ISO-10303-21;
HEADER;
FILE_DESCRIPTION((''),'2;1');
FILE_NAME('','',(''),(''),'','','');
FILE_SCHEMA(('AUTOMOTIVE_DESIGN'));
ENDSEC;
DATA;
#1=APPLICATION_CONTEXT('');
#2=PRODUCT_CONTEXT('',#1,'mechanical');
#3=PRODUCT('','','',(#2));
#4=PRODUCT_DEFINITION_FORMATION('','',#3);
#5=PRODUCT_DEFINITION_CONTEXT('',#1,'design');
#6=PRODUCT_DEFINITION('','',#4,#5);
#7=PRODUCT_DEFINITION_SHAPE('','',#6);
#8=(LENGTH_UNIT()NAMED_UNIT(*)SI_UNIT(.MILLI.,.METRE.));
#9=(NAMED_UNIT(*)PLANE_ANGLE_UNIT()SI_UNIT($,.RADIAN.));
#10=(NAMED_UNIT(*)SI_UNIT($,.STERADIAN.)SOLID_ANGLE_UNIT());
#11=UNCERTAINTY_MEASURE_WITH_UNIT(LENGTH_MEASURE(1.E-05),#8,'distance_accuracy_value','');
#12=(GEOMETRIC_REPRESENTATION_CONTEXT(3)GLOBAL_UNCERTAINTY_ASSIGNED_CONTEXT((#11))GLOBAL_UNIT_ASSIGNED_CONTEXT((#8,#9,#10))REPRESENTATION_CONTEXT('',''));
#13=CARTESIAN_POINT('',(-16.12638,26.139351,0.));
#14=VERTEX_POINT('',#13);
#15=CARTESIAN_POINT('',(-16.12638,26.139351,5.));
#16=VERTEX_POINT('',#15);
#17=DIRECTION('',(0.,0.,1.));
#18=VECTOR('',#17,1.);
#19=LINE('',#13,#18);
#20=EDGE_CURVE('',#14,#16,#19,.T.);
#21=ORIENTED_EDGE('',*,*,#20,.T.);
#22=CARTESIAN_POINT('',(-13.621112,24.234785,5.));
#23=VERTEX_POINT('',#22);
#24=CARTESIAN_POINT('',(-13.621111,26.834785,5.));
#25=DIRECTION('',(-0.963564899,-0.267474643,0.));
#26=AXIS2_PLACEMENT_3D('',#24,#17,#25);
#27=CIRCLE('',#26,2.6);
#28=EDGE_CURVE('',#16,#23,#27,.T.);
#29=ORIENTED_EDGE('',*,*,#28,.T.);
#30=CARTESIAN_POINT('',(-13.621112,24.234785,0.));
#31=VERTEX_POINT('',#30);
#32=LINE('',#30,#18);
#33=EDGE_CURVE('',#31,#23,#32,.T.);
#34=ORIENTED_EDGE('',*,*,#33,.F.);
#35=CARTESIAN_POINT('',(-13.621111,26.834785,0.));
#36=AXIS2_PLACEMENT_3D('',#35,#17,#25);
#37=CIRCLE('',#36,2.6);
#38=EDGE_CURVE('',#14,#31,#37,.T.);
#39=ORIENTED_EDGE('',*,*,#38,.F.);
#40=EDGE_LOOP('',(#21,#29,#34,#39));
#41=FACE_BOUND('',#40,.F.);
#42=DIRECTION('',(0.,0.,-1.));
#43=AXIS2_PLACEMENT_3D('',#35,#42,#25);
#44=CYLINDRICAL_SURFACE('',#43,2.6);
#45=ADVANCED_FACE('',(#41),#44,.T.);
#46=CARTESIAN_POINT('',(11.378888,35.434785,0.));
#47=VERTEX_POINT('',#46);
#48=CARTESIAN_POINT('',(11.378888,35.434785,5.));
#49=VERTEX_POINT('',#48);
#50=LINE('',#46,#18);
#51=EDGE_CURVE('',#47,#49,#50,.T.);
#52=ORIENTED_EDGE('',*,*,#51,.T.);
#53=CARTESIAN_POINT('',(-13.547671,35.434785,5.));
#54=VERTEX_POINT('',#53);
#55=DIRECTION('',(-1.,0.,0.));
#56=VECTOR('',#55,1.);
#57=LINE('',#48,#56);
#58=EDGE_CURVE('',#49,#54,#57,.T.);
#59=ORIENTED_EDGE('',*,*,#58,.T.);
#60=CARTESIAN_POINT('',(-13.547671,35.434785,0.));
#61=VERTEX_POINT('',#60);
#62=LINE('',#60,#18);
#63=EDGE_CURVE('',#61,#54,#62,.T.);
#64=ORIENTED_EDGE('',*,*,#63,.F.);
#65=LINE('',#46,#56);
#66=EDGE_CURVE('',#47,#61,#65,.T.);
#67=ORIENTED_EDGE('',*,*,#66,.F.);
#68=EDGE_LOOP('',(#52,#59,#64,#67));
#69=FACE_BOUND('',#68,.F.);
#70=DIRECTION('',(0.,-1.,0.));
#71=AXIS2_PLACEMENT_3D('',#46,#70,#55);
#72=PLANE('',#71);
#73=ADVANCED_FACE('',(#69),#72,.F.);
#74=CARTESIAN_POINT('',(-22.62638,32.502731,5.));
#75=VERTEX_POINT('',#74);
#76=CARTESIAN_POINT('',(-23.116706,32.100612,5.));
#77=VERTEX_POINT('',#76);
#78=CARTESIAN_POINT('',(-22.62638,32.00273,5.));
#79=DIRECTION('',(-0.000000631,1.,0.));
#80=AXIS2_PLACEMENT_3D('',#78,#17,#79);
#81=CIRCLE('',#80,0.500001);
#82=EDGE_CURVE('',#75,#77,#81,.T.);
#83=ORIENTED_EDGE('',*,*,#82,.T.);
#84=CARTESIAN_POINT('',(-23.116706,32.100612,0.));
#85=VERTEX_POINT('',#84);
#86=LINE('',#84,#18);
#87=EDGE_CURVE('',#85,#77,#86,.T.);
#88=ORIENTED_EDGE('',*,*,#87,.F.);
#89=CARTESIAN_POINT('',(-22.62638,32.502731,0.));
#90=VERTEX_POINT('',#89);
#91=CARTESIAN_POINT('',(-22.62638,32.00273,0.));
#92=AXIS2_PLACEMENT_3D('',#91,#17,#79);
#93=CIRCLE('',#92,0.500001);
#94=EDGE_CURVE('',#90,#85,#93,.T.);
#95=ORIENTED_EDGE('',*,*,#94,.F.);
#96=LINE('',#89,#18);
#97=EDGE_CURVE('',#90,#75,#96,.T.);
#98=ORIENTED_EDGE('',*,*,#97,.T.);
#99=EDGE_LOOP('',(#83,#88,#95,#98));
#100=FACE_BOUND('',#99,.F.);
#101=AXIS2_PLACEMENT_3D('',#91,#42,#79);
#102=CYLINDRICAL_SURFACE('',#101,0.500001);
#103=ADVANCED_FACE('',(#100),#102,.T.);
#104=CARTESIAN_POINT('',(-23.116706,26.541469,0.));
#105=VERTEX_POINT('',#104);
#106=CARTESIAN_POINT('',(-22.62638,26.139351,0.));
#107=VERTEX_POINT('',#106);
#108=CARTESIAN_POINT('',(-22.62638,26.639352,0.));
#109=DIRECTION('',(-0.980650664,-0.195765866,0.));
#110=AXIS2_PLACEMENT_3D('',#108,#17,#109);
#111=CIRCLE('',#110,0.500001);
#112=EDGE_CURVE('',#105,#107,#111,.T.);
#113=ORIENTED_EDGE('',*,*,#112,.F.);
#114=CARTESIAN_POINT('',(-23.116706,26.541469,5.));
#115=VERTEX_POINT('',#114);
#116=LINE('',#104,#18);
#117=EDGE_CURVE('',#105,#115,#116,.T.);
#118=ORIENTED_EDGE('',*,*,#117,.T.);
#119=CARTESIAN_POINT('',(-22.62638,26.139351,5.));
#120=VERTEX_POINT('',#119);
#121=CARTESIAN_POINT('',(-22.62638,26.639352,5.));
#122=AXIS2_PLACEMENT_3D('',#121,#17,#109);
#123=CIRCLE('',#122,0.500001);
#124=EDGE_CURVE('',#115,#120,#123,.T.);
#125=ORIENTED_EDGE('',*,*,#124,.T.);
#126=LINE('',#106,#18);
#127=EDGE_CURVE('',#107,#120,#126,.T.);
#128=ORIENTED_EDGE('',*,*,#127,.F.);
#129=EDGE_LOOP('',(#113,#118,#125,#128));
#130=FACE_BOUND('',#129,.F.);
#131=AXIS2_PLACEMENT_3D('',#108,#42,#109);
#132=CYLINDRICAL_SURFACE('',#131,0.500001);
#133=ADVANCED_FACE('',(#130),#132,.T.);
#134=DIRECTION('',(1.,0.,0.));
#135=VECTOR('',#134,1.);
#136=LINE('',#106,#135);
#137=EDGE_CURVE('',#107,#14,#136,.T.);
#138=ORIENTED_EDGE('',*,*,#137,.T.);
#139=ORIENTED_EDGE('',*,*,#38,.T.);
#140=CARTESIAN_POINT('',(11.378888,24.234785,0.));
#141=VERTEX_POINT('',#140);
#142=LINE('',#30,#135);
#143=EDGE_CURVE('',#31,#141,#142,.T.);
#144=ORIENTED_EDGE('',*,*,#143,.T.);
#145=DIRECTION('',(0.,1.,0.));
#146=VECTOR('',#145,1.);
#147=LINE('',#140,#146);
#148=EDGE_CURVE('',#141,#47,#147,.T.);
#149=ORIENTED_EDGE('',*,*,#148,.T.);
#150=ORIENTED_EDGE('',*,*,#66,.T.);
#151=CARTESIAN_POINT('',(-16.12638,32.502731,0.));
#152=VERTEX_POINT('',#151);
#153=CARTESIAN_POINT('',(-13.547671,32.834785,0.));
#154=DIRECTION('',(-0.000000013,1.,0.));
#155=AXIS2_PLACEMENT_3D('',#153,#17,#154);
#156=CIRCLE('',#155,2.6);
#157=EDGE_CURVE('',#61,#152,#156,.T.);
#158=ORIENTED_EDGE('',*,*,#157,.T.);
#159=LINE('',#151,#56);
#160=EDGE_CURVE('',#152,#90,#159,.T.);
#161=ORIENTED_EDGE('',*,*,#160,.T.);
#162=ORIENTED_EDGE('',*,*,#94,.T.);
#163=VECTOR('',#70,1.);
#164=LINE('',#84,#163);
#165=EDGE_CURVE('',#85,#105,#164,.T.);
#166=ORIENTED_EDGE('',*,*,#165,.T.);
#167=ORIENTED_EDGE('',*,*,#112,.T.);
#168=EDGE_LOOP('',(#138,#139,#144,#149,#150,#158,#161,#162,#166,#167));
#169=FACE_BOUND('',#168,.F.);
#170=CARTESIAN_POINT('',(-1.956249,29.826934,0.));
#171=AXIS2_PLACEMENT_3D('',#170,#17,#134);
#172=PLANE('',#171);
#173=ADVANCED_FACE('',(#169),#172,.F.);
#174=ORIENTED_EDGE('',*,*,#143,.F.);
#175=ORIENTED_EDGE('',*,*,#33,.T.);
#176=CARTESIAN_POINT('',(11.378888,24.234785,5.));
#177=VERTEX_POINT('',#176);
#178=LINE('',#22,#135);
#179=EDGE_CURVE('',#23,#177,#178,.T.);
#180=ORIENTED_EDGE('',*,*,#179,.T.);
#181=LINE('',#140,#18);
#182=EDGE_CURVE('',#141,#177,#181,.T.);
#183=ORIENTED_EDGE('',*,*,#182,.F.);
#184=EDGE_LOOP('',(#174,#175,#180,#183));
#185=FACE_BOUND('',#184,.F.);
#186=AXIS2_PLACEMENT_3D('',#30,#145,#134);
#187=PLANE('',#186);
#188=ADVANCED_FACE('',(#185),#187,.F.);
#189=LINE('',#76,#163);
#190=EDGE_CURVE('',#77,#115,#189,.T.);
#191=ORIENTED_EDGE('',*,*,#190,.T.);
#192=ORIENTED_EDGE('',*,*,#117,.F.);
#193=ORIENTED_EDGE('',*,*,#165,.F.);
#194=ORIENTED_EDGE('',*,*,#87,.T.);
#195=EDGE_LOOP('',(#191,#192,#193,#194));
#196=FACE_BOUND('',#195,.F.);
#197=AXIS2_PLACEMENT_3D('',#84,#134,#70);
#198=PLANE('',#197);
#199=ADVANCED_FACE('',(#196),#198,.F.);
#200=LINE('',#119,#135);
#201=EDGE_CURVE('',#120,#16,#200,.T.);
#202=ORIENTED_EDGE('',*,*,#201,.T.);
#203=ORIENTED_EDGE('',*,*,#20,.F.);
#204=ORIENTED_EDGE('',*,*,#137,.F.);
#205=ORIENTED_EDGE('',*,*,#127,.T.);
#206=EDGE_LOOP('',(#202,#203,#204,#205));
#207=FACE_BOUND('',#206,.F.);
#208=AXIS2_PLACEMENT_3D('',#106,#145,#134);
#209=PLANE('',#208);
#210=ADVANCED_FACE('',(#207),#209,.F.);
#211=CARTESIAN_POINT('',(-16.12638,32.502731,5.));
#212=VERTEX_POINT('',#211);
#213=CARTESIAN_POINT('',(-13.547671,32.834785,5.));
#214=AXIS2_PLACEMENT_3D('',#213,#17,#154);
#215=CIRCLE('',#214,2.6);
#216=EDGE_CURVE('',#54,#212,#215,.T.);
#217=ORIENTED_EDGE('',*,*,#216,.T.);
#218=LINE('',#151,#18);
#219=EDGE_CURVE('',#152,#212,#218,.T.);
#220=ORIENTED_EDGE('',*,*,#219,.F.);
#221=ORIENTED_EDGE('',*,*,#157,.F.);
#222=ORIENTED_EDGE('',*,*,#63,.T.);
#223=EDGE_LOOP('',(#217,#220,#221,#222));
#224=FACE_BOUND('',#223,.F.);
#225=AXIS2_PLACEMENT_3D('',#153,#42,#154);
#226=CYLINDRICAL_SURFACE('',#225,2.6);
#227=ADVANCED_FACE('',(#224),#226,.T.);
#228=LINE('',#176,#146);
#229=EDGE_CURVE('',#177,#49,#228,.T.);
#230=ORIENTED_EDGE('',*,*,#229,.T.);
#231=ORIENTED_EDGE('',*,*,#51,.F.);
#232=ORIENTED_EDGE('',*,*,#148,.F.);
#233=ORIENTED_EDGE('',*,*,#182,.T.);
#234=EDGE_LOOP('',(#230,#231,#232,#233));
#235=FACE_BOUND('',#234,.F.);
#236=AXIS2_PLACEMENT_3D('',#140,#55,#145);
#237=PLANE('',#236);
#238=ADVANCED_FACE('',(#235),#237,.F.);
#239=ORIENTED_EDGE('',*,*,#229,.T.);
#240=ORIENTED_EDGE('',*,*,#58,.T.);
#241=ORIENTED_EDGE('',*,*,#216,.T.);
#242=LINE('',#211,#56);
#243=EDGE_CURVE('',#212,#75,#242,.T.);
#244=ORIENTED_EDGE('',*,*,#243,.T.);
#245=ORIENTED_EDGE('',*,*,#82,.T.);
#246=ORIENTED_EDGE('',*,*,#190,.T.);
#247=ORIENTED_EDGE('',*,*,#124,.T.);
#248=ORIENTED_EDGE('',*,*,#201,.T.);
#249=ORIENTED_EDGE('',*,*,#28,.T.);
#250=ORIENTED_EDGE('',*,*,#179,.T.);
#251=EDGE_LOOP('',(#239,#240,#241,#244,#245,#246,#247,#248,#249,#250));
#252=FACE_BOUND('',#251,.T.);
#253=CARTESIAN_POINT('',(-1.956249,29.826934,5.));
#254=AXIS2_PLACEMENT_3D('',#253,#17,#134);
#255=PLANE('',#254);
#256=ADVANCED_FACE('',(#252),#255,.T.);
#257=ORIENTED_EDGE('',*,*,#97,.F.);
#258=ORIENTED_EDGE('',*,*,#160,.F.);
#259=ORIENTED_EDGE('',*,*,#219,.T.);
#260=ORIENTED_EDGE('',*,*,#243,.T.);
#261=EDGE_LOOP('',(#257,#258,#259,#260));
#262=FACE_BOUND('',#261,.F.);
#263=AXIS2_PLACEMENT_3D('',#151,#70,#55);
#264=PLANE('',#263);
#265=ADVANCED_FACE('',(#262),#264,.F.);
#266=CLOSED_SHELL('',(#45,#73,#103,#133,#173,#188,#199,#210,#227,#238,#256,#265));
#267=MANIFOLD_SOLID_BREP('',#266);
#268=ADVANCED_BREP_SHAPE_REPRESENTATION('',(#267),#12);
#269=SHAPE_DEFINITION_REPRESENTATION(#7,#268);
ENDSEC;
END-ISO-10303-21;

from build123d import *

# Parameters (mm, degrees)
F1_DEPTH = 5


with BuildPart() as f1:
    # F0 (on Top) → F1 (new body)
    with BuildSketch(Plane.XY):
        with BuildLine():
            ThreePointArc((-16.12638, 26.139351), (-15.194622, 24.764987), (-13.621112, 24.234785))
            Line((-13.621112, 24.234785), (11.378888, 24.234785))
            Line((11.378888, 24.234785), (11.378888, 35.434785))
            Line((11.378888, 35.434785), (-13.547671, 35.434785))
            ThreePointArc((-13.547671, 35.434785), (-15.500021, 34.551855), (-16.12638, 32.502731))
            Line((-16.12638, 32.502731), (-16.12638, 26.139351))
        make_face()
        with BuildLine():
            Line((-22.62638, 26.139351), (-16.12638, 26.139351))
            Line((-16.12638, 26.139351), (-16.12638, 32.502731))
            Line((-16.12638, 32.502731), (-22.62638, 32.502731))
            ThreePointArc((-22.62638, 32.502731), (-22.943444, 32.389345), (-23.116706, 32.100612))
            Line((-23.116706, 32.100612), (-23.116706, 26.541469))
            ThreePointArc((-23.116706, 26.541469), (-22.943444, 26.252737), (-22.62638, 26.139351))
        make_face()
    extrude(amount=F1_DEPTH)


solid = f1.part
